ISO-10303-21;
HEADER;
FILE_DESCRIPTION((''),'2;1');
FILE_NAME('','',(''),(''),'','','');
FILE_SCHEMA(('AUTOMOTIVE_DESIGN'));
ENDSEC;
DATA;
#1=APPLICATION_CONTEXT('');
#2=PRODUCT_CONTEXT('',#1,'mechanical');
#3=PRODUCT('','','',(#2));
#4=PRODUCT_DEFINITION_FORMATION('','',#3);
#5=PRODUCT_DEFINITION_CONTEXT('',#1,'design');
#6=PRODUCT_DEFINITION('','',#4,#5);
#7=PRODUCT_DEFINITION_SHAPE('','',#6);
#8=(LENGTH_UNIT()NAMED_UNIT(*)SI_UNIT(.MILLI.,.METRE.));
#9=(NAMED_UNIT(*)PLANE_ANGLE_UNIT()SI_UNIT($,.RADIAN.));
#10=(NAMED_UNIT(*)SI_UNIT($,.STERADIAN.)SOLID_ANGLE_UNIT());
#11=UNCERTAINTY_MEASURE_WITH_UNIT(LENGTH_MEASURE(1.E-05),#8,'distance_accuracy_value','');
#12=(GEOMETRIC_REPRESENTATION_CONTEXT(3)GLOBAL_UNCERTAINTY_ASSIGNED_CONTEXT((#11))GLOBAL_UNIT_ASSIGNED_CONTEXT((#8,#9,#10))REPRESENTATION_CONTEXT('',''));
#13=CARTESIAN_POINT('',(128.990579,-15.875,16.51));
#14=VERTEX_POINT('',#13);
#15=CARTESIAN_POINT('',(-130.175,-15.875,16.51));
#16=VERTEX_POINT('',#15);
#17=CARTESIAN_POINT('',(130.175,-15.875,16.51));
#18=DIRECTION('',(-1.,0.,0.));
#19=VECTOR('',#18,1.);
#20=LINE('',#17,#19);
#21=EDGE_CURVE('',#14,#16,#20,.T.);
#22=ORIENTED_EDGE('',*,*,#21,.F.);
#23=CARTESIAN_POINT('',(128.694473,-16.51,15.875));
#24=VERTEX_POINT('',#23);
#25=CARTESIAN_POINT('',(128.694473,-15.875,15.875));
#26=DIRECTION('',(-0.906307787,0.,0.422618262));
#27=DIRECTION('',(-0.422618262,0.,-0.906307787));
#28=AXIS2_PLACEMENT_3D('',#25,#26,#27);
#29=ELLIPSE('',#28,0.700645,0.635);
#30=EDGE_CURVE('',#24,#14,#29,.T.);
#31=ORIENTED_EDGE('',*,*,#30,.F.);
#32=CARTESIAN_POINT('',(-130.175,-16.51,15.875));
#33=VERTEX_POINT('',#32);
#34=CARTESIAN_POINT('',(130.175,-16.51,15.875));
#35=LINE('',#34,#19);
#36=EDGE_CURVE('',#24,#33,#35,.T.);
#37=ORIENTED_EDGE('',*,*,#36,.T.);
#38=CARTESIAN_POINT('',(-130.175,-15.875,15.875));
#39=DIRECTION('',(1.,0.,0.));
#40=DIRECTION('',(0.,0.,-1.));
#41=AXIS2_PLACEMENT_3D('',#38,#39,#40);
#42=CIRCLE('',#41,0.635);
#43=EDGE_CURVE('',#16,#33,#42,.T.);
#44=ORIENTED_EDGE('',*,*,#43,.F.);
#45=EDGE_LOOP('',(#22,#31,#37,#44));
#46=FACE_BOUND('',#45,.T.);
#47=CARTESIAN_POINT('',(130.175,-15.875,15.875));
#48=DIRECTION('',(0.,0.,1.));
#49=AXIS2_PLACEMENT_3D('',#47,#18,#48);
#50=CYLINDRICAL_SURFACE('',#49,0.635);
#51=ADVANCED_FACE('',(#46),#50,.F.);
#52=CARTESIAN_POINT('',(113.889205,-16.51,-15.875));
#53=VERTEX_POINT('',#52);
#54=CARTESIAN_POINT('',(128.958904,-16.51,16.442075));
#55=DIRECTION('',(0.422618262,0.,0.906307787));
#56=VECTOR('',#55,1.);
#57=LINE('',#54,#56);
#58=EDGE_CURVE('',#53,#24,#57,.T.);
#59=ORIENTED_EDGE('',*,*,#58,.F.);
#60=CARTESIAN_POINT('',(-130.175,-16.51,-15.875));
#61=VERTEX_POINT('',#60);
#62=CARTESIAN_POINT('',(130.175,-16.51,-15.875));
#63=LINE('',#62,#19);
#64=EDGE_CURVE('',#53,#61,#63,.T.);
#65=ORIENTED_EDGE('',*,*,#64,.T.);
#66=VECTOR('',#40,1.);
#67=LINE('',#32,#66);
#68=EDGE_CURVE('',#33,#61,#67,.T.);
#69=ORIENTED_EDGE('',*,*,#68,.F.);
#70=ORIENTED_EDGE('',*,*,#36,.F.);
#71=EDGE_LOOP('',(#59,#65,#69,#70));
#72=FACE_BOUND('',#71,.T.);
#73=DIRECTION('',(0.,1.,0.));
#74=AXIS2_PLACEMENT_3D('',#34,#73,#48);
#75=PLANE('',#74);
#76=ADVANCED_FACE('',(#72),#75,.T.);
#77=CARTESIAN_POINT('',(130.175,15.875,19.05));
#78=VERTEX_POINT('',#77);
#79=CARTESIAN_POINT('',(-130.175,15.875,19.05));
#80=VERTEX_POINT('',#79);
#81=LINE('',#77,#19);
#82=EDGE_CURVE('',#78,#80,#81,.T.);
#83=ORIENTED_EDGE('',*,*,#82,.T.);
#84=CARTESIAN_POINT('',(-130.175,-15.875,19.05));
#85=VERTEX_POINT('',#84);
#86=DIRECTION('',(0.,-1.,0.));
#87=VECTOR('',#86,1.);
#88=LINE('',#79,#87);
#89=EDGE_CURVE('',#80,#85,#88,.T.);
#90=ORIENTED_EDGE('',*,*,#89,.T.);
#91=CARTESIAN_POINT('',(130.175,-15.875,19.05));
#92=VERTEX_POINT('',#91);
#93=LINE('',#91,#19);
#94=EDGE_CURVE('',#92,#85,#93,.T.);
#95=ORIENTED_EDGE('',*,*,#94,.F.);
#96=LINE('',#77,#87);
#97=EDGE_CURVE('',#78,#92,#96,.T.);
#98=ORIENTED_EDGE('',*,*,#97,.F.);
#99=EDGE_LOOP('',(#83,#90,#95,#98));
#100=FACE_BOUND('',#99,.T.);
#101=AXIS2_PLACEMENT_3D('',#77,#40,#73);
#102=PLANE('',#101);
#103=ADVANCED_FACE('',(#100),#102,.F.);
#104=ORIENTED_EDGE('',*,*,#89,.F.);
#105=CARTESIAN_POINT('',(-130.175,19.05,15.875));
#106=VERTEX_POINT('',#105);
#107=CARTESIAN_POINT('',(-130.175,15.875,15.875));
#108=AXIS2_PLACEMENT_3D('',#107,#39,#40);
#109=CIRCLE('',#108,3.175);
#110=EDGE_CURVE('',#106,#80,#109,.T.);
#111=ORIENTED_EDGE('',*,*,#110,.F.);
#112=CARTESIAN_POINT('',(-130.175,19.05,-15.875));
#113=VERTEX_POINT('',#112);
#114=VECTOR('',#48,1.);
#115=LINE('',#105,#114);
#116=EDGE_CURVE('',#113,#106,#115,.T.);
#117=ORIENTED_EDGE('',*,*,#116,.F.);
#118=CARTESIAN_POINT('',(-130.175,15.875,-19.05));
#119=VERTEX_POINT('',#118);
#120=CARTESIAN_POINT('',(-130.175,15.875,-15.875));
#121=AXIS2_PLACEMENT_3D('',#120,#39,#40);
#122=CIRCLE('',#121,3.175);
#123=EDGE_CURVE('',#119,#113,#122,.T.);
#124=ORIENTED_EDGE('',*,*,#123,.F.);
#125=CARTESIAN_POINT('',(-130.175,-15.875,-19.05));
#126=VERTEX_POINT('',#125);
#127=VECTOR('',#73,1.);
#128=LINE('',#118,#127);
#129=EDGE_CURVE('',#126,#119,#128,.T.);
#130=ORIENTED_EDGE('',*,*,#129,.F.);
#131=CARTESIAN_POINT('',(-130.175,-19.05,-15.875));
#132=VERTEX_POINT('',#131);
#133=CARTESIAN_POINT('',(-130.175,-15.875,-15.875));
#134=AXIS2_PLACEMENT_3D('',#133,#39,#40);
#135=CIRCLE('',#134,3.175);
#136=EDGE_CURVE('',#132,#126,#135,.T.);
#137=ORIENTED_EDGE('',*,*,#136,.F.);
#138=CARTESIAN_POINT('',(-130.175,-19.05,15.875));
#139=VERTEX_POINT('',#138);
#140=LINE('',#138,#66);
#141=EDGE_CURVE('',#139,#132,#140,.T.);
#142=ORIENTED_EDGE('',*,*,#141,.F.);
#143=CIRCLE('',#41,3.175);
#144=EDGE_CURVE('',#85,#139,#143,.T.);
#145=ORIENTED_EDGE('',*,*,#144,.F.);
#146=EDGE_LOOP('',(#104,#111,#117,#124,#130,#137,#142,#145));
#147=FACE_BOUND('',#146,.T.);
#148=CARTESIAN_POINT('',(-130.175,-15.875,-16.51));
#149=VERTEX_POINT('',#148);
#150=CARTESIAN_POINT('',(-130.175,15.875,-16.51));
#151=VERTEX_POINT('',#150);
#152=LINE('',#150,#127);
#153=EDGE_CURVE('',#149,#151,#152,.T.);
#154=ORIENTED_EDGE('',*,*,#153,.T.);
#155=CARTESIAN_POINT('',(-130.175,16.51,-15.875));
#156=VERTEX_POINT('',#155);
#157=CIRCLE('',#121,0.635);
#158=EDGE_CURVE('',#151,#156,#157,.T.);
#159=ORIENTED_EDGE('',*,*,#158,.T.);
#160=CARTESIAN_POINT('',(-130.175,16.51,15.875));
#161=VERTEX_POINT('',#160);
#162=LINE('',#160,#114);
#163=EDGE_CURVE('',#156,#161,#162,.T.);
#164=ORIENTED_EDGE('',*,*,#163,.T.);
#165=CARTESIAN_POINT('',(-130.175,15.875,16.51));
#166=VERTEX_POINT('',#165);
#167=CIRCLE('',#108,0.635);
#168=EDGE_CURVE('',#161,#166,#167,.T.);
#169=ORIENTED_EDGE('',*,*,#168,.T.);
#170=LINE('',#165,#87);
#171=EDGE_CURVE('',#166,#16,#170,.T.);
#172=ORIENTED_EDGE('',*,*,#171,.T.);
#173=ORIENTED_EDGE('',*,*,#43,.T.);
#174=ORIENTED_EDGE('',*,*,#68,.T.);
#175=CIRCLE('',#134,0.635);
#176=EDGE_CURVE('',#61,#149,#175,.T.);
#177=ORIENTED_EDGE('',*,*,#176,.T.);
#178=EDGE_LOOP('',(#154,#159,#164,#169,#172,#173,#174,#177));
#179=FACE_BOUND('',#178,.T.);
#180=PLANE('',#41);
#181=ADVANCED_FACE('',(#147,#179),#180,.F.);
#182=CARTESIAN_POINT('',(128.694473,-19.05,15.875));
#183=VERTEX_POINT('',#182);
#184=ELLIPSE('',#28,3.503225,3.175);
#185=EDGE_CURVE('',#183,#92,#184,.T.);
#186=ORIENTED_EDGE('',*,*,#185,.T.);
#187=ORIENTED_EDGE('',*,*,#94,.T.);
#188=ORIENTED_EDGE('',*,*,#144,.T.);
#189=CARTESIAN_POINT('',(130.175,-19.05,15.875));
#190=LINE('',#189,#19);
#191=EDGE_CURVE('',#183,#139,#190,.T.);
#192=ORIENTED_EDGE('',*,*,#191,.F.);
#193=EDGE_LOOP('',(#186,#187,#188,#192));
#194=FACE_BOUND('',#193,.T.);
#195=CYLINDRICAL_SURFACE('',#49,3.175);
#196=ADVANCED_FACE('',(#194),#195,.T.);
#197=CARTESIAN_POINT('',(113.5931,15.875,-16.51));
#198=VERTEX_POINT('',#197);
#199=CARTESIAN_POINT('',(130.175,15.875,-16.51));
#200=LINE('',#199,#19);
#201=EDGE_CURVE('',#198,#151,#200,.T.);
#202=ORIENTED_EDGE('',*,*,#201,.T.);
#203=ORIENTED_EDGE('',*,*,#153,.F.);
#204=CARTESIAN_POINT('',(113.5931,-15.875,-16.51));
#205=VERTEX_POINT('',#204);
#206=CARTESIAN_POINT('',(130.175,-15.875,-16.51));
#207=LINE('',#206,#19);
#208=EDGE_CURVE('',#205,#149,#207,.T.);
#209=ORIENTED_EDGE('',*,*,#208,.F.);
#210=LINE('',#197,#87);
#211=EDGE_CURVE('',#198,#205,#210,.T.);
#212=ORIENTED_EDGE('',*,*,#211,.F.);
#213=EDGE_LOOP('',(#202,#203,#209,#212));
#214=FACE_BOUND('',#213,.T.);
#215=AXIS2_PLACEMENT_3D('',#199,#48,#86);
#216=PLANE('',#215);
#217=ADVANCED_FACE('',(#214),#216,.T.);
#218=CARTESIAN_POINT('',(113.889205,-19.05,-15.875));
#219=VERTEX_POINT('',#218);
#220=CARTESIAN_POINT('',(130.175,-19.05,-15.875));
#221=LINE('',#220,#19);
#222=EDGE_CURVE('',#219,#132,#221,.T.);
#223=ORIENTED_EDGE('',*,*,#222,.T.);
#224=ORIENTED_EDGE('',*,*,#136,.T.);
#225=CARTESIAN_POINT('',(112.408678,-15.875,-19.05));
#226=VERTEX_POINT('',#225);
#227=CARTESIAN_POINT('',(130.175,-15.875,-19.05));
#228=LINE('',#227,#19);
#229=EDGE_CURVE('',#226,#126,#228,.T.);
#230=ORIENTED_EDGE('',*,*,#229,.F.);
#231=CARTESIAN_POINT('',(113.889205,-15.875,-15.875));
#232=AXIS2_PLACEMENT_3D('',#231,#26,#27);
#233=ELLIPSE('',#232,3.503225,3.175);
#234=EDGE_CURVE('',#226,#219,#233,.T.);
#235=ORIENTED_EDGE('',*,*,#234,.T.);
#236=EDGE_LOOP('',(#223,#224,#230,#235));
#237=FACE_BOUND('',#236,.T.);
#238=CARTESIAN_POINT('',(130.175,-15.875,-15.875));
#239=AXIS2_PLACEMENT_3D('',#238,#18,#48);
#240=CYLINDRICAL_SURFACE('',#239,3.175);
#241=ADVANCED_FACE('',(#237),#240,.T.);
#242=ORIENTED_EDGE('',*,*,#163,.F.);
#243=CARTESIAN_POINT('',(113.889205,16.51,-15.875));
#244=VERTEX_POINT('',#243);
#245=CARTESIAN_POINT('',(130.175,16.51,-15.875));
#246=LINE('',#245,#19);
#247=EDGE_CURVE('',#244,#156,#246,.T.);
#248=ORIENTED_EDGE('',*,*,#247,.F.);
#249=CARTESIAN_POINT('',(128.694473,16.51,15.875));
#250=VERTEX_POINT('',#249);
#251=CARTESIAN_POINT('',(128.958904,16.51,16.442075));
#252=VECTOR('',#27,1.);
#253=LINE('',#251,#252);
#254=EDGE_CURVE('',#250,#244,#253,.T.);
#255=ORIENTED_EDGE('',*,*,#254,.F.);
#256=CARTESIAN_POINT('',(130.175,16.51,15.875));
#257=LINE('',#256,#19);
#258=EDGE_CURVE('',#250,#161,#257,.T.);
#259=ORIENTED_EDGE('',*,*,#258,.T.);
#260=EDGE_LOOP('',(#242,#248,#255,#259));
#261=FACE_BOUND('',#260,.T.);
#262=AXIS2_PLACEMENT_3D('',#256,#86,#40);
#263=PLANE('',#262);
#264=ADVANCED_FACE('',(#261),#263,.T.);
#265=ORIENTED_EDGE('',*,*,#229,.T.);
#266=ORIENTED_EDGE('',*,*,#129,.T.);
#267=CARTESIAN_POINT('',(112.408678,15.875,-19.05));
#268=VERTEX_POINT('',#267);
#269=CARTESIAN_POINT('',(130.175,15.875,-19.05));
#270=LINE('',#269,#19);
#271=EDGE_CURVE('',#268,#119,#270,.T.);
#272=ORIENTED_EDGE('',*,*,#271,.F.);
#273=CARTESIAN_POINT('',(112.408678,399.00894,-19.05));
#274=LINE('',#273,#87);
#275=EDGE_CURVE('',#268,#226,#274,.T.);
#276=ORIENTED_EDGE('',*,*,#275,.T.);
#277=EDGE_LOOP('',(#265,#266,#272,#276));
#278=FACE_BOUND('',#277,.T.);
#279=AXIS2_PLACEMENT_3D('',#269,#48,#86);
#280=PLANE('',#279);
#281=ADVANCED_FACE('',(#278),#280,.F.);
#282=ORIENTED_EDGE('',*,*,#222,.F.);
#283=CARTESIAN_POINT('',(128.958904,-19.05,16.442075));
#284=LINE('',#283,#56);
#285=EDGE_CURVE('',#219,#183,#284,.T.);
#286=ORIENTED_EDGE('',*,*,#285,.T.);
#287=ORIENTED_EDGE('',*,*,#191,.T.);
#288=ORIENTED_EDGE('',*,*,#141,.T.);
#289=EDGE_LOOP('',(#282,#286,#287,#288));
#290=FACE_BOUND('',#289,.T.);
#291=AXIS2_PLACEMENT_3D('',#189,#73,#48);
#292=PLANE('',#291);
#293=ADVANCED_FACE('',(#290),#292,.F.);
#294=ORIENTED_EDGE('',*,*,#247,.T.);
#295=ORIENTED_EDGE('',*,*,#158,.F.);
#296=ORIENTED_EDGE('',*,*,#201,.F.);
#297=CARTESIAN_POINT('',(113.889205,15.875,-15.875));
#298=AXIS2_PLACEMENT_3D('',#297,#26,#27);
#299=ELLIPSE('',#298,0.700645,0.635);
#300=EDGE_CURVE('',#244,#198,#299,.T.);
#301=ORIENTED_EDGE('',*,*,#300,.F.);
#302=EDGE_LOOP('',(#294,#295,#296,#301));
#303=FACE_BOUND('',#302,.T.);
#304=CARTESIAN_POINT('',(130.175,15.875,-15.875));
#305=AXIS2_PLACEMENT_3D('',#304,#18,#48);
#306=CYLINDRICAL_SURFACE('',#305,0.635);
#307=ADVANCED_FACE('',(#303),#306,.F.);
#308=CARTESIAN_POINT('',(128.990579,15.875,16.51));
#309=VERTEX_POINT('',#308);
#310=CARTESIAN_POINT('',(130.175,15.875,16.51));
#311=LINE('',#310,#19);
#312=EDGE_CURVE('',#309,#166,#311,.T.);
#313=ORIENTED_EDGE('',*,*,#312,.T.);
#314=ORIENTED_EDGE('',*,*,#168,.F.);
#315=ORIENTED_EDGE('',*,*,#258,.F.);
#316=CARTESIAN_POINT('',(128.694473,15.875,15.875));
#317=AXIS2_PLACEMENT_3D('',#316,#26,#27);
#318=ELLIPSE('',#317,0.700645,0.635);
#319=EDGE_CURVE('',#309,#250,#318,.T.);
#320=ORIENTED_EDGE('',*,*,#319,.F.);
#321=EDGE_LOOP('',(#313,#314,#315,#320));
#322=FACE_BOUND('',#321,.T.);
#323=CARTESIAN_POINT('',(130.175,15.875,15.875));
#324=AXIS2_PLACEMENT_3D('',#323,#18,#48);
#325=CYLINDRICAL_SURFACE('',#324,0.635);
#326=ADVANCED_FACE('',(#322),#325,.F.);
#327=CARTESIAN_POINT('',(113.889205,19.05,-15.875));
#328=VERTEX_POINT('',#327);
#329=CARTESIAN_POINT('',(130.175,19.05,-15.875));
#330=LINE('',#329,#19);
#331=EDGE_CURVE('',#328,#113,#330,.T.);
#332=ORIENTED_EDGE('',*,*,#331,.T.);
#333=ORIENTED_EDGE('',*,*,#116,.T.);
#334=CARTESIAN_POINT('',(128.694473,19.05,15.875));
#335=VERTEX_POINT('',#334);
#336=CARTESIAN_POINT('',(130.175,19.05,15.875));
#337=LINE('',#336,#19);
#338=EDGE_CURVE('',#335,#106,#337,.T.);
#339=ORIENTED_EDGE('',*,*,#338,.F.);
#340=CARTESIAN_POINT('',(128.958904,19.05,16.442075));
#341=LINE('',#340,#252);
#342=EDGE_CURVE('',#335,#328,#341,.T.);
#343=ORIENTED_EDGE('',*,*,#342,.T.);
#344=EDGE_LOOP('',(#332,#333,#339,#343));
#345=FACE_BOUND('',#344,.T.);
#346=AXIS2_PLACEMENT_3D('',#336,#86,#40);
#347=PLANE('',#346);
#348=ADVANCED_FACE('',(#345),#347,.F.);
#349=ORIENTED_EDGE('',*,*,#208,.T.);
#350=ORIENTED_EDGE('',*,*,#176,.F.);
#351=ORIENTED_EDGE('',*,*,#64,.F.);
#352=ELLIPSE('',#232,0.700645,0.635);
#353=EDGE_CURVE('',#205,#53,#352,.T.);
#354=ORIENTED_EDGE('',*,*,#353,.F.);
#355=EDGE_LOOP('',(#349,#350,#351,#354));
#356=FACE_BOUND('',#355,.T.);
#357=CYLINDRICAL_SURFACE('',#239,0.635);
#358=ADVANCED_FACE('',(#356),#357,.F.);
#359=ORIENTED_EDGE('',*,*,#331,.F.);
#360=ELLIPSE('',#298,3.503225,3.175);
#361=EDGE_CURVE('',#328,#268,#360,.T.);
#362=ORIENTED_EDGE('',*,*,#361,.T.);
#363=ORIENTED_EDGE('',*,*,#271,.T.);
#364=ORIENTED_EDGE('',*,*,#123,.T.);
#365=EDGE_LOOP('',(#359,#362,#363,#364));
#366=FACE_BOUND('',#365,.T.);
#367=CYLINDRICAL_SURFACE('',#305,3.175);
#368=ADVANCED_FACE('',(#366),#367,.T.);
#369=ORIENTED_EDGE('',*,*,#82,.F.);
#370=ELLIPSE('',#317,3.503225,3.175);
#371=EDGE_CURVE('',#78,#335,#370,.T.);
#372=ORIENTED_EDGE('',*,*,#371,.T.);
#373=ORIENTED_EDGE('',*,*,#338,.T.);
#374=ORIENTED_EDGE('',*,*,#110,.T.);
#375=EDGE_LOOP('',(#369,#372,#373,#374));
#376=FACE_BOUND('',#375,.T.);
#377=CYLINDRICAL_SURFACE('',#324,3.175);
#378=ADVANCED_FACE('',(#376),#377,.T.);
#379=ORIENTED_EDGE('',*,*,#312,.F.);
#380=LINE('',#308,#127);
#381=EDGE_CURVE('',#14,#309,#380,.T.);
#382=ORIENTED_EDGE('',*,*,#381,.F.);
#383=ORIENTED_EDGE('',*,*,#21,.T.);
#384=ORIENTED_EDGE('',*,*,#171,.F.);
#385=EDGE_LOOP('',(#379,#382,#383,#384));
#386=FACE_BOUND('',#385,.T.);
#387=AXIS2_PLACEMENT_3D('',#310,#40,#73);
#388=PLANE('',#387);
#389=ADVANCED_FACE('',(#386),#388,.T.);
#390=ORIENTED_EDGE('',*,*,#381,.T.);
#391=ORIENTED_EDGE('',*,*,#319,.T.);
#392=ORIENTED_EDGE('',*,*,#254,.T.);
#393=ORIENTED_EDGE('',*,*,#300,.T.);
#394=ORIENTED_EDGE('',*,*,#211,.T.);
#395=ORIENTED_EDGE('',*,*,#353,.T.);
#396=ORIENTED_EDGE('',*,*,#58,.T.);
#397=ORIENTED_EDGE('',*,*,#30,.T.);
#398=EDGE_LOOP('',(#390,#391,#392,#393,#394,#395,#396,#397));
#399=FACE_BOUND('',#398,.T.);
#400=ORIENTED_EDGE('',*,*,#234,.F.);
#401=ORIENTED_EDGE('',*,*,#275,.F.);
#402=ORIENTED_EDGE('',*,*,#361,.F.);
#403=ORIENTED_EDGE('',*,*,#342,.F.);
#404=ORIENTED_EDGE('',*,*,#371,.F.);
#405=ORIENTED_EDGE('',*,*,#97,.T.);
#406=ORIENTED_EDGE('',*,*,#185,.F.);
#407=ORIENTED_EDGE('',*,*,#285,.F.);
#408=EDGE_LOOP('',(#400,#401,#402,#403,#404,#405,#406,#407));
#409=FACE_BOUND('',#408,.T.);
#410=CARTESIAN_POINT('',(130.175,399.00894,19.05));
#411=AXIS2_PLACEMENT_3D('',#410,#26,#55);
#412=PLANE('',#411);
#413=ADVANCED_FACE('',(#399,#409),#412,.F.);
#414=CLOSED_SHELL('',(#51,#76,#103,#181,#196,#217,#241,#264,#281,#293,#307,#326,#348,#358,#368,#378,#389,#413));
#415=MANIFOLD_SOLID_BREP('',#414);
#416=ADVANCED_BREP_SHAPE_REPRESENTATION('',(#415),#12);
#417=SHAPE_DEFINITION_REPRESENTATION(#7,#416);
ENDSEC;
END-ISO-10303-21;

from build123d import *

# Parameters (mm, degrees)
EXTRUDE_THIN1_DEPTH     = 130.175
CUT_EXTRUDE1_DEPTH      = 1
CUT_EXTRUDE1_DEPTH_BACK = 39.1


with BuildPart() as part:
    # Sketch1 → Extrude-Thin1 (new body, symmetric)
    with BuildSketch(Plane(origin=(0, 0, 0), x_dir=(0, 0, -1), z_dir=(1, 0, 0))):
        with BuildLine():
            Line((-15.875, 19.05), (15.875, 19.05))
            ThreePointArc((15.875, 19.05), (18.12006403, 18.12006403), (19.05, 15.875))
            Line((19.05, 15.875), (19.05, -15.875))
            ThreePointArc((19.05, -15.875), (18.12006403, -18.12006403), (15.875, -19.05))
            Line((15.875, -19.05), (-15.875, -19.05))
            ThreePointArc((-15.875, -19.05), (-18.12006403, -18.12006403), (-19.05, -15.875))
            Line((-19.05, -15.875), (-19.05, 15.875))
            ThreePointArc((-19.05, 15.875), (-18.12006403, 18.12006403), (-15.875, 19.05))
        make_face()
        with BuildLine():
            Line((-15.875, 16.51), (15.875, 16.51))
            ThreePointArc((15.875, 16.51), (16.324012806, 16.324012806), (16.51, 15.875))
            Line((16.51, 15.875), (16.51, -15.875))
            ThreePointArc((16.51, -15.875), (16.324012806, -16.324012806), (15.875, -16.51))
            Line((15.875, -16.51), (-15.875, -16.51))
            ThreePointArc((-15.875, -16.51), (-16.324012806, -16.324012806), (-16.51, -15.875))
            Line((-16.51, -15.875), (-16.51, 15.875))
            ThreePointArc((-16.51, 15.875), (-16.324012806, 16.324012806), (-15.875, 16.51))
        make_face(mode=Mode.SUBTRACT)
    extrude(amount=EXTRUDE_THIN1_DEPTH, both=True)

    # Sketch3 → Cut-Extrude1 (cut, two sides)
    with BuildSketch(Plane(origin=(0, 19.05, 0), x_dir=(1, 0, 0), z_dir=(0, 1, 0))) as cut_extrude1_sk:
        Polygon((356.802383498, -505.053992289), (130.175, -19.05), (112.408678224, 19.05), (-114.218705274, 505.053992289), (857.789279304, 958.308759286), (1328.810368077, -51.799225292), align=None)
    extrude(amount=CUT_EXTRUDE1_DEPTH, mode=Mode.SUBTRACT)
    extrude(cut_extrude1_sk.sketch, amount=-CUT_EXTRUDE1_DEPTH_BACK, mode=Mode.SUBTRACT)


solid = part.part
